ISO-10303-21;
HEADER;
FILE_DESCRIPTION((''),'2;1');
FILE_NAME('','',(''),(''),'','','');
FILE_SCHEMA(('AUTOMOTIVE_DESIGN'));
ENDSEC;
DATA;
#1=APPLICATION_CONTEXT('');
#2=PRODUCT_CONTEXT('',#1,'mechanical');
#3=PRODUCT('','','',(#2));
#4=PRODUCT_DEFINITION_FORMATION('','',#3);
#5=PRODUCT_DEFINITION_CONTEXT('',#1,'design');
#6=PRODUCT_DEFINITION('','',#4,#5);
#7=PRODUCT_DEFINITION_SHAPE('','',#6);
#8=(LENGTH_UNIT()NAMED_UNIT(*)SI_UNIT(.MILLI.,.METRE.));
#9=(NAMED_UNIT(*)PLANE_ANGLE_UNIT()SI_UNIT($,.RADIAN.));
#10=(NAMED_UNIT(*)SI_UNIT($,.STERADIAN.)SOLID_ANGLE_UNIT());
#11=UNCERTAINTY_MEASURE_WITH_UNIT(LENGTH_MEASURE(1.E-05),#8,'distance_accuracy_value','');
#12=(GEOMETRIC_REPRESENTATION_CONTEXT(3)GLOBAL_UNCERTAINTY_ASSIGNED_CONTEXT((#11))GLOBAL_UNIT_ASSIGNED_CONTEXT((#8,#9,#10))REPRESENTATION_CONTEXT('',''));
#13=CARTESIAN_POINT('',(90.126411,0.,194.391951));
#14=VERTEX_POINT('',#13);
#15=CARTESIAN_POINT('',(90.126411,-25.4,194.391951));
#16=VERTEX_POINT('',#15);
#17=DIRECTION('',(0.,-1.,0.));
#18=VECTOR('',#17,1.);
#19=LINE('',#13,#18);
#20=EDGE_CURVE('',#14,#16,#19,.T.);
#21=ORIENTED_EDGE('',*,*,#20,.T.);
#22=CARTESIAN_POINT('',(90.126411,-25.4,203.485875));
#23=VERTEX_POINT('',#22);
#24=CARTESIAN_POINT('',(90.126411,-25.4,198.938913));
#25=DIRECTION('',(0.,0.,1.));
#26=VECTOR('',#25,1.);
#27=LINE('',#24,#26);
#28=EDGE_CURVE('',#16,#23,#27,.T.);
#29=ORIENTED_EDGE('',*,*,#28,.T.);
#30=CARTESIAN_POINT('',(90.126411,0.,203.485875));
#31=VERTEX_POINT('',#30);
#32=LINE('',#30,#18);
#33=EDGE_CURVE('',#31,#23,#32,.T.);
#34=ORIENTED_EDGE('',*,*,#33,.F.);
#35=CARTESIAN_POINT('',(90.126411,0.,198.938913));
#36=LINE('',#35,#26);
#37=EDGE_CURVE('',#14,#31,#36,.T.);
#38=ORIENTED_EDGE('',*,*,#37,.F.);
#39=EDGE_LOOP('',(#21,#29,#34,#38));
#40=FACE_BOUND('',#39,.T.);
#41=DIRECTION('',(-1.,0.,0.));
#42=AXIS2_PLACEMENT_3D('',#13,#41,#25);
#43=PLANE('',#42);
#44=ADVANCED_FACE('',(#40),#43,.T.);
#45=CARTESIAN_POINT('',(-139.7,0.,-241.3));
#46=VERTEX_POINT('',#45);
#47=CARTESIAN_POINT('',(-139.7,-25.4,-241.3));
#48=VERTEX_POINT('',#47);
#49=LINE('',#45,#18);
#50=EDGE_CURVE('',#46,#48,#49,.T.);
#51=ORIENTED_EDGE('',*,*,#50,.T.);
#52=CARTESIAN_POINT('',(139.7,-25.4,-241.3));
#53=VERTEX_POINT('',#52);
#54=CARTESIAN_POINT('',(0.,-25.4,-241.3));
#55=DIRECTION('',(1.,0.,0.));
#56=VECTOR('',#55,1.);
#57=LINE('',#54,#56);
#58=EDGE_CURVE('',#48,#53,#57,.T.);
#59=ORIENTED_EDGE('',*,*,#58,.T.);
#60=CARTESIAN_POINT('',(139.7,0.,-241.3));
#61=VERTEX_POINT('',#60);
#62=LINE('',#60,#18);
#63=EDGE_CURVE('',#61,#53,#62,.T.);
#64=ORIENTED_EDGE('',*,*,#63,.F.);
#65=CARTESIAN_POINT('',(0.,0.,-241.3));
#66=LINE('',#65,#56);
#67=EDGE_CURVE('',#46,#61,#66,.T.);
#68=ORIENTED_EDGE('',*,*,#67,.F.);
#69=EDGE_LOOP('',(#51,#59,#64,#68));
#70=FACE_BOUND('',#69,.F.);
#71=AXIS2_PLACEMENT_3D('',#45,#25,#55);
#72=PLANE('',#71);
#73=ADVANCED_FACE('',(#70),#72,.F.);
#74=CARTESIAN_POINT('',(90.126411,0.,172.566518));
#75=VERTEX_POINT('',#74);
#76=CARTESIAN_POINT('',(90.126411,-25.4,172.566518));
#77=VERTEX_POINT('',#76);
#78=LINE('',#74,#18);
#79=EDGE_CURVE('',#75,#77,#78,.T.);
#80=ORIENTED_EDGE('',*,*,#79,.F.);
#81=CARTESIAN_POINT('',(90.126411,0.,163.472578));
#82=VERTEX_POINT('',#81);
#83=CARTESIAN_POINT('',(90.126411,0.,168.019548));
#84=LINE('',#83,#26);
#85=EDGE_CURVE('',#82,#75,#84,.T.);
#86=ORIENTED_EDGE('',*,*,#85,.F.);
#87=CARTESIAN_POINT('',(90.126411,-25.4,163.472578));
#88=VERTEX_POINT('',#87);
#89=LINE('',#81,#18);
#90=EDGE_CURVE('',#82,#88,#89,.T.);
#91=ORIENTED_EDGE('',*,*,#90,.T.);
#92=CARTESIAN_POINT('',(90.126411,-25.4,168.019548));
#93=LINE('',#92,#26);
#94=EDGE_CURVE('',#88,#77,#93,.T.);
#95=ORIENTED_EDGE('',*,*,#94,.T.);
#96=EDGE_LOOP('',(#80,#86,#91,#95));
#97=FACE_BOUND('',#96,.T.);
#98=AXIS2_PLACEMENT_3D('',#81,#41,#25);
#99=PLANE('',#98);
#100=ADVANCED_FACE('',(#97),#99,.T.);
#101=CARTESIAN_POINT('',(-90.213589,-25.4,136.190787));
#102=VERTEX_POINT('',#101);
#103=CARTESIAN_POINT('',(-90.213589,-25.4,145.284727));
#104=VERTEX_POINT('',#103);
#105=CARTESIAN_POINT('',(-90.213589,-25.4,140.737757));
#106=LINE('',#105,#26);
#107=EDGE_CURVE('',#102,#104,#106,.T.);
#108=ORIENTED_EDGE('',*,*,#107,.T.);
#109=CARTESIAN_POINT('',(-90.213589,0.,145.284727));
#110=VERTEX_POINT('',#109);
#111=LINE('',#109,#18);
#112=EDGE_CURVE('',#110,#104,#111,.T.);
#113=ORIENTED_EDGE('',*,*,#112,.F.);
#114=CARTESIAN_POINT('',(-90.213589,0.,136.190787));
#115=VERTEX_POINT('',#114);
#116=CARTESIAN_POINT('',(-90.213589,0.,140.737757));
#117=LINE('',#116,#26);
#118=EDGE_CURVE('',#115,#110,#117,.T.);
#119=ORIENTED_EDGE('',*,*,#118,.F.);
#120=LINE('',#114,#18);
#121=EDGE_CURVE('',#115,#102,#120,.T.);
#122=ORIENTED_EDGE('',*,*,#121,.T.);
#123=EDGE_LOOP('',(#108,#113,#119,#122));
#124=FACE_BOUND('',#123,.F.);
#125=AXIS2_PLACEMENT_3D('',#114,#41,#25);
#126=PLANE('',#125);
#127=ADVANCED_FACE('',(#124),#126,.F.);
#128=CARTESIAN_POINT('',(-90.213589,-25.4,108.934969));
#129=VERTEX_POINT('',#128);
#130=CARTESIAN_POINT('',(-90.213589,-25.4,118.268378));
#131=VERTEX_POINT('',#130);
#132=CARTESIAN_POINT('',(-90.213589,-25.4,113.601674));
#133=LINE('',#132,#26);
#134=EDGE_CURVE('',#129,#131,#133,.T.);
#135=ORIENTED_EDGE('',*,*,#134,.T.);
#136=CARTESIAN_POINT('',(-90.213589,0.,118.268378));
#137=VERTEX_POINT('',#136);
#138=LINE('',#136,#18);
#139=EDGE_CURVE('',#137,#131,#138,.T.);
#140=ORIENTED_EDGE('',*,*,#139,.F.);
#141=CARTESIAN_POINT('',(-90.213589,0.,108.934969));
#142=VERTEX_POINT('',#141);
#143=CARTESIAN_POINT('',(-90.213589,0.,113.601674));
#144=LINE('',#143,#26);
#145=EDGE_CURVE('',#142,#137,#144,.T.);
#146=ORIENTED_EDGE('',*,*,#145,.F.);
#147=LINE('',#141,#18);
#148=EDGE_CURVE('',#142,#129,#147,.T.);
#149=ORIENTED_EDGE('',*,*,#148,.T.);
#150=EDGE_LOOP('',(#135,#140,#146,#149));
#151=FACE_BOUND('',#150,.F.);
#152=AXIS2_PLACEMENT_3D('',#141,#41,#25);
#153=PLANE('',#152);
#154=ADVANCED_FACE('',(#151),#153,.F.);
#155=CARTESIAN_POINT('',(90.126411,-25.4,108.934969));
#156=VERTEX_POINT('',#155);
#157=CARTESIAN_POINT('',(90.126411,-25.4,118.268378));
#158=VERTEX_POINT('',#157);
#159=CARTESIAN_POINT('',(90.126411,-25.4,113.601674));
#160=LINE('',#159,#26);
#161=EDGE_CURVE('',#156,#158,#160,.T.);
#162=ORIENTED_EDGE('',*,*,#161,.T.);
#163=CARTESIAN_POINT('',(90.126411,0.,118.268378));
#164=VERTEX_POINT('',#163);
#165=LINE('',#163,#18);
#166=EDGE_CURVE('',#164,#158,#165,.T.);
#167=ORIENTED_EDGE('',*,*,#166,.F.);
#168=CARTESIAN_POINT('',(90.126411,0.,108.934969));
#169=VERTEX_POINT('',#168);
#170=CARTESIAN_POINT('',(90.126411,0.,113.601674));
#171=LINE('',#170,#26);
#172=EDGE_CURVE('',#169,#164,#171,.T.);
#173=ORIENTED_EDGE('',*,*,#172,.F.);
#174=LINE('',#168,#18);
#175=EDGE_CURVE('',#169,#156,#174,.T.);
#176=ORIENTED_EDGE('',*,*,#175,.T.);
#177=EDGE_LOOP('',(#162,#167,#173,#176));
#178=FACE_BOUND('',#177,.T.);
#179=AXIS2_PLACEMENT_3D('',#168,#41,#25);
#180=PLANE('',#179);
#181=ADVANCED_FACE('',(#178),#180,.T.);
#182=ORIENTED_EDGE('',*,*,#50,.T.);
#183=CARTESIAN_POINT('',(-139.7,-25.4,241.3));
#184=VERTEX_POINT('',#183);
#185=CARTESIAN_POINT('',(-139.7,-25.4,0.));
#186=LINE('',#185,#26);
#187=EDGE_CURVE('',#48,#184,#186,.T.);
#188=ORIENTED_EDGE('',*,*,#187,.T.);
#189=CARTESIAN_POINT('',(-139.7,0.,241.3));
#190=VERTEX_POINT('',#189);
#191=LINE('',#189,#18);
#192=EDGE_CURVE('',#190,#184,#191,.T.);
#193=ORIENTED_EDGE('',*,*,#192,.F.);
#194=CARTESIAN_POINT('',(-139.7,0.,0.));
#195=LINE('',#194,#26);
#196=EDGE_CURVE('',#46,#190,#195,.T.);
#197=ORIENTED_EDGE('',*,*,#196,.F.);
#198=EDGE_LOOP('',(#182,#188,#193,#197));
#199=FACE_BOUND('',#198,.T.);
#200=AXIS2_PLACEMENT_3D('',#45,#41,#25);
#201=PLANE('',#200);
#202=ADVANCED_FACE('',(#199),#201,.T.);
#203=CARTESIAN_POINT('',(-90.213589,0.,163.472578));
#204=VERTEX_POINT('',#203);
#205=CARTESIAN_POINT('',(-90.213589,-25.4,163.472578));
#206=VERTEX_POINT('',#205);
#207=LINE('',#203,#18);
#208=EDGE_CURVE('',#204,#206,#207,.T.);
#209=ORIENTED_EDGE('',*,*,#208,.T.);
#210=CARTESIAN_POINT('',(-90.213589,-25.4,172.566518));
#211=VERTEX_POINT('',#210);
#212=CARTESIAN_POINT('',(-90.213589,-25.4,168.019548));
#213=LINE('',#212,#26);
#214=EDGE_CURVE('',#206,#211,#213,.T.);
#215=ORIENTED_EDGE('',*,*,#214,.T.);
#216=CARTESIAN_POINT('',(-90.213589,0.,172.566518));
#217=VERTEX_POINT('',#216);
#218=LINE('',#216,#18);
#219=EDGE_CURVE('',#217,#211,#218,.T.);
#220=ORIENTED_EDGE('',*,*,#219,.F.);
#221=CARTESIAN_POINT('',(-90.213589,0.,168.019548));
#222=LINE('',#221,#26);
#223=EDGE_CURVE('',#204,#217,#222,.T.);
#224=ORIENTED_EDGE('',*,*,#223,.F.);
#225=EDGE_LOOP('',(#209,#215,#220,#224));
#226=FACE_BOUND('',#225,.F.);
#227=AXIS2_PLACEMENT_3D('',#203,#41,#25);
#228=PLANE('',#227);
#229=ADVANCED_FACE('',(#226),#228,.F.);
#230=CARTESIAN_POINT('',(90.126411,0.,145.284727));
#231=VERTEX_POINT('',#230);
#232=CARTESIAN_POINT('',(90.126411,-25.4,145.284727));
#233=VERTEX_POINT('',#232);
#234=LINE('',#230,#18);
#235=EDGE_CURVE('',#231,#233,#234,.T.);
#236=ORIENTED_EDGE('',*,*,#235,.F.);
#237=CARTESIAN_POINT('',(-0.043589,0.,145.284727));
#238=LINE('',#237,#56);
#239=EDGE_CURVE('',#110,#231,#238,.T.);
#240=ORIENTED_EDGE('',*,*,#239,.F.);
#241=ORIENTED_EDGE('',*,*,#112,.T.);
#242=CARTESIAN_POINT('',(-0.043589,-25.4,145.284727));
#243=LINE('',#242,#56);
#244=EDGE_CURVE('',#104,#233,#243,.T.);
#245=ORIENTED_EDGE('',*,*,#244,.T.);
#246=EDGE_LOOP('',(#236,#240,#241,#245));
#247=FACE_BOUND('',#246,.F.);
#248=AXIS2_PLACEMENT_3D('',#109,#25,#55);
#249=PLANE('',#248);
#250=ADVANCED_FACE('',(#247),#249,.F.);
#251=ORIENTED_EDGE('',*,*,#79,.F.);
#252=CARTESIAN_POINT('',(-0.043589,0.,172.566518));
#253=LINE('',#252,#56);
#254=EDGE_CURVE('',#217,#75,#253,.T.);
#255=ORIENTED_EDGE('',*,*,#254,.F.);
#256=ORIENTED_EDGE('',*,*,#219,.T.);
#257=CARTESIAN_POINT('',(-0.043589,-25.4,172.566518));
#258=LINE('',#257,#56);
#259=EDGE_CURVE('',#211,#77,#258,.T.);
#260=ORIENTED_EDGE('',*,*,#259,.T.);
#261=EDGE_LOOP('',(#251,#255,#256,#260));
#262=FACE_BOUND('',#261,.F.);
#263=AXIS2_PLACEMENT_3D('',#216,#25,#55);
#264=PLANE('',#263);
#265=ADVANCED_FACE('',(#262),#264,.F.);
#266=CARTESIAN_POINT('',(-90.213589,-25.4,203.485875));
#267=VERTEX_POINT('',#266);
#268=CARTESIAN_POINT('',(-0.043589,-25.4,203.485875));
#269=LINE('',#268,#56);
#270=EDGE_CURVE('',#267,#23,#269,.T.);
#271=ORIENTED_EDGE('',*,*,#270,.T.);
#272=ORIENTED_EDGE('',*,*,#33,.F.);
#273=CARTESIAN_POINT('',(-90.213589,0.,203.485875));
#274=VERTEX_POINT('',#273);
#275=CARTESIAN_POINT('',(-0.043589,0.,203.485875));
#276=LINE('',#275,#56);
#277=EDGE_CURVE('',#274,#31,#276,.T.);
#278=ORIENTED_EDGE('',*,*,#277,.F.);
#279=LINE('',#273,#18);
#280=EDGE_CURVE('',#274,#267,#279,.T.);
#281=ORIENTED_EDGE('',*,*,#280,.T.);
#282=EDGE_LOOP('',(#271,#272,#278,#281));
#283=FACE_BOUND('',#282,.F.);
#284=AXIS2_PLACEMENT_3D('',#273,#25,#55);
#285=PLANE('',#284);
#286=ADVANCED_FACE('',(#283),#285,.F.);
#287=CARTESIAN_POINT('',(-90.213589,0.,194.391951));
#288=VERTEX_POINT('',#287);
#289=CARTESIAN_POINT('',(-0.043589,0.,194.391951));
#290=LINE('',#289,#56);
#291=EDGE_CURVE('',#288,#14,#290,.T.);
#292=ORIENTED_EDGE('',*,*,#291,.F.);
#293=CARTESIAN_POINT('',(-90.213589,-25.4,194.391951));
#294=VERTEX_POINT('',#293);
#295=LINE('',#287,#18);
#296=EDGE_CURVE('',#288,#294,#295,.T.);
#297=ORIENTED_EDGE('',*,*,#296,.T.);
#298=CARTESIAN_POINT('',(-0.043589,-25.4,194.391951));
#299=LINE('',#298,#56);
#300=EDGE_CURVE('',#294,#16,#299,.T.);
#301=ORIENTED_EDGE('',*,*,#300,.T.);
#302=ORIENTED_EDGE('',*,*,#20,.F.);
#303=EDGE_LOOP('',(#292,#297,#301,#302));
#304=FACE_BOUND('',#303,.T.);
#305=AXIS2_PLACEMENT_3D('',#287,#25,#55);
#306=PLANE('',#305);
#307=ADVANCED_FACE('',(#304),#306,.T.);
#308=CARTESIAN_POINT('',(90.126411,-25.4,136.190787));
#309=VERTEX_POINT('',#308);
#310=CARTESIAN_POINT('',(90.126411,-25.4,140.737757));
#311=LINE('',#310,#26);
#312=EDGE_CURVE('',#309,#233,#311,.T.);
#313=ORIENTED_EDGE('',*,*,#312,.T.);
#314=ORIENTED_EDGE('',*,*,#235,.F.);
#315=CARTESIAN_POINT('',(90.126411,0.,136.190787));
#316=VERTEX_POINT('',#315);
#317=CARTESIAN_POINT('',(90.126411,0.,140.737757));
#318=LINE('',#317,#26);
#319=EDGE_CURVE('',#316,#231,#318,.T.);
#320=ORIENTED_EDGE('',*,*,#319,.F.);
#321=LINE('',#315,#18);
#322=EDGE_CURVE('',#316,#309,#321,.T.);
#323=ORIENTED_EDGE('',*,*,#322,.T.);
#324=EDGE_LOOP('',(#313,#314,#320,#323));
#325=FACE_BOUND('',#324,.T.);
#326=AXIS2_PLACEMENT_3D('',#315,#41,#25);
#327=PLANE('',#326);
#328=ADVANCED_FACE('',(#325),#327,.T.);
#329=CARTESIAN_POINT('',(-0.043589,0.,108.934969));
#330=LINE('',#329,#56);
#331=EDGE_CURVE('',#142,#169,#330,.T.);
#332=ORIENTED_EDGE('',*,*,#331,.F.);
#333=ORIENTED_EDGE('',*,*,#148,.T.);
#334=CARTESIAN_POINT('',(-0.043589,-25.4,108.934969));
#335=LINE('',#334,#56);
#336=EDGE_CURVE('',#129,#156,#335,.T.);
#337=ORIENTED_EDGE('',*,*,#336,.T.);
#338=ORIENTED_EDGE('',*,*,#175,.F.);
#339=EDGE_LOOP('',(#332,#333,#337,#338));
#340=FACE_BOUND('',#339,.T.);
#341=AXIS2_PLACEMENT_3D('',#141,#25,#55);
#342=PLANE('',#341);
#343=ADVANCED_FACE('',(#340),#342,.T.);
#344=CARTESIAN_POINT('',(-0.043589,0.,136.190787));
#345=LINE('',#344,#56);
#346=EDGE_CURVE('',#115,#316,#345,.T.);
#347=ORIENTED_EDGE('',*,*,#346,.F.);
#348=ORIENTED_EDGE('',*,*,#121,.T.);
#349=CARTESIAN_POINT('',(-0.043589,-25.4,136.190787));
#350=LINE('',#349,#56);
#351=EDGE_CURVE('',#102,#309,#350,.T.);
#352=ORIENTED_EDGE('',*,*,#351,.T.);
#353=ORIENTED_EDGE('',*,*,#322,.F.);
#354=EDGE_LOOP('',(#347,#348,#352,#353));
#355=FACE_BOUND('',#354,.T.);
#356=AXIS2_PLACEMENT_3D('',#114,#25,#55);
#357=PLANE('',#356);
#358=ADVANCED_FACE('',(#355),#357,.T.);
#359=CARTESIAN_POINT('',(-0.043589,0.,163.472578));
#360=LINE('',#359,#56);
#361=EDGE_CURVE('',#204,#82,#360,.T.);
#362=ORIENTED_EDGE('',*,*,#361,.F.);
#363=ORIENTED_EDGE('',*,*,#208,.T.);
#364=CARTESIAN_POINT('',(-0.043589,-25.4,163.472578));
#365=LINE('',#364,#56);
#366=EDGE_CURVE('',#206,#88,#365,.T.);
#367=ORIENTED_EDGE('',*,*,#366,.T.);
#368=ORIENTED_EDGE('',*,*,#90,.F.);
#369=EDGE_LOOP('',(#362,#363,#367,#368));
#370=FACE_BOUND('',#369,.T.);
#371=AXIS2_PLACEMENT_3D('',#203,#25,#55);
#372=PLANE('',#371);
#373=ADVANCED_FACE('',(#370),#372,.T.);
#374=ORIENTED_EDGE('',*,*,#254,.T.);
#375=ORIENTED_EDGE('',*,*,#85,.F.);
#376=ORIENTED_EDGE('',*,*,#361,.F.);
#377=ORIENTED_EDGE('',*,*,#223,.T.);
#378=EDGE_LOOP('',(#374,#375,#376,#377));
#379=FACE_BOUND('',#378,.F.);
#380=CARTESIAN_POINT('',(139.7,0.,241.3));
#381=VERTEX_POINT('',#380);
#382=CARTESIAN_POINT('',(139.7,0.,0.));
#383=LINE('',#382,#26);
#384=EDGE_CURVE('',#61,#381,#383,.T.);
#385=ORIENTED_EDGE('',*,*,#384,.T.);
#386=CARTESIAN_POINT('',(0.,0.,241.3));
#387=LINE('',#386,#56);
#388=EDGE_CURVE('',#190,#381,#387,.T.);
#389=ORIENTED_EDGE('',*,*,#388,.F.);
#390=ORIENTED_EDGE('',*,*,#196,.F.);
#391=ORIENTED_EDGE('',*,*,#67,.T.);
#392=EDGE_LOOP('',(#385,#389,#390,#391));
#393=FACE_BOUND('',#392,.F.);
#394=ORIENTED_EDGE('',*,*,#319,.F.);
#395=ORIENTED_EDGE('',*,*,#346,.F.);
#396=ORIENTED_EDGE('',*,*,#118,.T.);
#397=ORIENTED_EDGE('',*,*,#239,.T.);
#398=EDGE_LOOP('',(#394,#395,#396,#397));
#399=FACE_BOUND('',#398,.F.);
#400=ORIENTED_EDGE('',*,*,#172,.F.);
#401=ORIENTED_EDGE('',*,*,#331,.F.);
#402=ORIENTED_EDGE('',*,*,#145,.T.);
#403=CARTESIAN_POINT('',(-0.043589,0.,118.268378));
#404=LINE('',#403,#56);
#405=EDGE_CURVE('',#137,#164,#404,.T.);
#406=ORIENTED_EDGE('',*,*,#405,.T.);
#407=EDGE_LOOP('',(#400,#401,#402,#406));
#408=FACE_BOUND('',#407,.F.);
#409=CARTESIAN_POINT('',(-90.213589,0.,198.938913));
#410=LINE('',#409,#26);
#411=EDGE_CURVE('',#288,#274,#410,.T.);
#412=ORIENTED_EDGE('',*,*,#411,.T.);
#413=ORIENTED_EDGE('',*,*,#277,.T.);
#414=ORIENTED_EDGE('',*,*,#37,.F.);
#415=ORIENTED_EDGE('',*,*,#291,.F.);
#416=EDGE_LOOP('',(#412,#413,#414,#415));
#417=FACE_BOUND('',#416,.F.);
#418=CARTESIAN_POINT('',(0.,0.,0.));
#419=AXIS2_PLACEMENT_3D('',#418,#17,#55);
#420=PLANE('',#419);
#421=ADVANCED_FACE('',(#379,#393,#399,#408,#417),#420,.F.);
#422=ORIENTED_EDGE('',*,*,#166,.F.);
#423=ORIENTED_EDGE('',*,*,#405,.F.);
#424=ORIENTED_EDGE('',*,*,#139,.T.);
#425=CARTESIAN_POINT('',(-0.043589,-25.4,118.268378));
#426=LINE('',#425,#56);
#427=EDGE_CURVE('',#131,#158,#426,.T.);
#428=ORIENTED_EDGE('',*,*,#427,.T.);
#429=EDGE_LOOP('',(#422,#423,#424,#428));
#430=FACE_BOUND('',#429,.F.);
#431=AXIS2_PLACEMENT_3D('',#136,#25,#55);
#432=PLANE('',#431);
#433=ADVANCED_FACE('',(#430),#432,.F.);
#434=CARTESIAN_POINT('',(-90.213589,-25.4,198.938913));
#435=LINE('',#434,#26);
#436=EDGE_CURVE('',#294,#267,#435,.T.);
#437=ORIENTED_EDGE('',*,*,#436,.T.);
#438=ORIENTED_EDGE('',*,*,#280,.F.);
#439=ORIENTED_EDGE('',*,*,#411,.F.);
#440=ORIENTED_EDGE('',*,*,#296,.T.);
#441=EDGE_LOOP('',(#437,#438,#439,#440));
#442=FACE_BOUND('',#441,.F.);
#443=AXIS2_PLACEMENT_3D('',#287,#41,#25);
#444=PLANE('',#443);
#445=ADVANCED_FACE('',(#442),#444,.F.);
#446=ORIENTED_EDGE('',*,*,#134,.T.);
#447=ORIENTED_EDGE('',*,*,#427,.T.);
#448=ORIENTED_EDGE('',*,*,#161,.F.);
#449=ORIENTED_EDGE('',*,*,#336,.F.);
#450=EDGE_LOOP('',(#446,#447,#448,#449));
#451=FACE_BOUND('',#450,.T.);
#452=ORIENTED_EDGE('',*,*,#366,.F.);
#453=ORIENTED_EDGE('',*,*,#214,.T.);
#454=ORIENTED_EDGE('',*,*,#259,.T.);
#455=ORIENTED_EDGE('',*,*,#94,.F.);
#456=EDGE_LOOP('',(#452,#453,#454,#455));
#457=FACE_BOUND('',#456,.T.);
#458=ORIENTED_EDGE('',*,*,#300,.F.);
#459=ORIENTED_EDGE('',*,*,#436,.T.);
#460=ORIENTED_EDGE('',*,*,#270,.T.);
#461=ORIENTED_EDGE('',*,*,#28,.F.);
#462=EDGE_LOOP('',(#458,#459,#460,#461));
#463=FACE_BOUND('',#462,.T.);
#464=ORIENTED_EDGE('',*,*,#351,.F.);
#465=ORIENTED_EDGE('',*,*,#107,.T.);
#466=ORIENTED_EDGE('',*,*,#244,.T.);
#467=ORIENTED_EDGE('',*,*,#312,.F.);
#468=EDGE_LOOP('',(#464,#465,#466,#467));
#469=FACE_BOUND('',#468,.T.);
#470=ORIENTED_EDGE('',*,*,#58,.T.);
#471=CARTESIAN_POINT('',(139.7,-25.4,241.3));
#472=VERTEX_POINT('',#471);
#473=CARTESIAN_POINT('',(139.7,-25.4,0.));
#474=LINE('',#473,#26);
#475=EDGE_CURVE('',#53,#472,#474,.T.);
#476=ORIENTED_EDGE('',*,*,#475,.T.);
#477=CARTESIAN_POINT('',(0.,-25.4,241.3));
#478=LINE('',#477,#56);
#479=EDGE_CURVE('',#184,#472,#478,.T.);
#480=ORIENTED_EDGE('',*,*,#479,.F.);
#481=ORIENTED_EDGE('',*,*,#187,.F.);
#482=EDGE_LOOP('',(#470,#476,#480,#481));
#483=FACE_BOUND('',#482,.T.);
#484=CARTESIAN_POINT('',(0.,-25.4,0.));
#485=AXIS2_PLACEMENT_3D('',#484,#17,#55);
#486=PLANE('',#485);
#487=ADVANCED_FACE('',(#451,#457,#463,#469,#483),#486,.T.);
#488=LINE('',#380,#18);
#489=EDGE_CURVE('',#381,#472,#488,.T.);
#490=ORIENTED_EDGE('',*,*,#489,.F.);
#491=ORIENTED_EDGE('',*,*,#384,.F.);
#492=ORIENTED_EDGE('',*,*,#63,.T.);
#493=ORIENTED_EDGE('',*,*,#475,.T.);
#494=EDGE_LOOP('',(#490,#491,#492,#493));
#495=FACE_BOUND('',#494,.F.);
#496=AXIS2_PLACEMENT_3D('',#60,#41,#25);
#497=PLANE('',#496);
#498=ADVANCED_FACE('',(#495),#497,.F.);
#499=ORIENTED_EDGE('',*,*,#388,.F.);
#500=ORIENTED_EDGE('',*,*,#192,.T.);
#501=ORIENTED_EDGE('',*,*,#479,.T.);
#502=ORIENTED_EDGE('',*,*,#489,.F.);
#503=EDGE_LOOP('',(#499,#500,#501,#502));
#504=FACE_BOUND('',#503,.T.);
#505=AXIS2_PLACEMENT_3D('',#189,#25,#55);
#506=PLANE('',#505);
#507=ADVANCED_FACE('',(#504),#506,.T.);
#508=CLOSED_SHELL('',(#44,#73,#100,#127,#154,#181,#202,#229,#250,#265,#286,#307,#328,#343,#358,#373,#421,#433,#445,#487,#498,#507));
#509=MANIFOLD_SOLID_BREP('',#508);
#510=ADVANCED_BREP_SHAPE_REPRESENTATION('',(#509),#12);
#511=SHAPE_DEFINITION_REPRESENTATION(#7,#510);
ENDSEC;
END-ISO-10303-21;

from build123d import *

# Parameters (mm, degrees)
F0_W     = 279.4
F0_H     = 482.6
F0_W_2   = 180.34
F0_H_2   = 9.333409
F0_H_3   = 9.09394
F0_H_4   = 9.093925
F1_DEPTH = 25.4
F2_DEPTH = 25.4


with BuildPart() as f1:
    # F0 (on Front) → F1 (new body)
    with BuildSketch(Plane.XZ):
        Rectangle(F0_W, F0_H)
        with Locations((-0.043589, 113.601674)):
            Rectangle(F0_W_2, F0_H_2, mode=Mode.SUBTRACT)
        with Locations((-0.043589, 140.737757)):
            Rectangle(F0_W_2, F0_H_3, mode=Mode.SUBTRACT)
        with Locations((-0.043589, 168.019548)):
            Rectangle(F0_W_2, F0_H_3, mode=Mode.SUBTRACT)
        with Locations((-0.043589, 198.938913)):
            Rectangle(F0_W_2, F0_H_4, mode=Mode.SUBTRACT)
    extrude(amount=F1_DEPTH)

    # F0 (on Front) → F2 (join)
    with BuildSketch(Plane.XZ):
        Rectangle(F0_W, F0_H)
        with Locations((-0.043589, 113.601674)):
            Rectangle(F0_W_2, F0_H_2, mode=Mode.SUBTRACT)
        with Locations((-0.043589, 140.737757)):
            Rectangle(F0_W_2, F0_H_3, mode=Mode.SUBTRACT)
        with Locations((-0.043589, 168.019548)):
            Rectangle(F0_W_2, F0_H_3, mode=Mode.SUBTRACT)
        with Locations((-0.043589, 198.938913)):
            Rectangle(F0_W_2, F0_H_4, mode=Mode.SUBTRACT)
    extrude(amount=F2_DEPTH)


solid = f1.part
